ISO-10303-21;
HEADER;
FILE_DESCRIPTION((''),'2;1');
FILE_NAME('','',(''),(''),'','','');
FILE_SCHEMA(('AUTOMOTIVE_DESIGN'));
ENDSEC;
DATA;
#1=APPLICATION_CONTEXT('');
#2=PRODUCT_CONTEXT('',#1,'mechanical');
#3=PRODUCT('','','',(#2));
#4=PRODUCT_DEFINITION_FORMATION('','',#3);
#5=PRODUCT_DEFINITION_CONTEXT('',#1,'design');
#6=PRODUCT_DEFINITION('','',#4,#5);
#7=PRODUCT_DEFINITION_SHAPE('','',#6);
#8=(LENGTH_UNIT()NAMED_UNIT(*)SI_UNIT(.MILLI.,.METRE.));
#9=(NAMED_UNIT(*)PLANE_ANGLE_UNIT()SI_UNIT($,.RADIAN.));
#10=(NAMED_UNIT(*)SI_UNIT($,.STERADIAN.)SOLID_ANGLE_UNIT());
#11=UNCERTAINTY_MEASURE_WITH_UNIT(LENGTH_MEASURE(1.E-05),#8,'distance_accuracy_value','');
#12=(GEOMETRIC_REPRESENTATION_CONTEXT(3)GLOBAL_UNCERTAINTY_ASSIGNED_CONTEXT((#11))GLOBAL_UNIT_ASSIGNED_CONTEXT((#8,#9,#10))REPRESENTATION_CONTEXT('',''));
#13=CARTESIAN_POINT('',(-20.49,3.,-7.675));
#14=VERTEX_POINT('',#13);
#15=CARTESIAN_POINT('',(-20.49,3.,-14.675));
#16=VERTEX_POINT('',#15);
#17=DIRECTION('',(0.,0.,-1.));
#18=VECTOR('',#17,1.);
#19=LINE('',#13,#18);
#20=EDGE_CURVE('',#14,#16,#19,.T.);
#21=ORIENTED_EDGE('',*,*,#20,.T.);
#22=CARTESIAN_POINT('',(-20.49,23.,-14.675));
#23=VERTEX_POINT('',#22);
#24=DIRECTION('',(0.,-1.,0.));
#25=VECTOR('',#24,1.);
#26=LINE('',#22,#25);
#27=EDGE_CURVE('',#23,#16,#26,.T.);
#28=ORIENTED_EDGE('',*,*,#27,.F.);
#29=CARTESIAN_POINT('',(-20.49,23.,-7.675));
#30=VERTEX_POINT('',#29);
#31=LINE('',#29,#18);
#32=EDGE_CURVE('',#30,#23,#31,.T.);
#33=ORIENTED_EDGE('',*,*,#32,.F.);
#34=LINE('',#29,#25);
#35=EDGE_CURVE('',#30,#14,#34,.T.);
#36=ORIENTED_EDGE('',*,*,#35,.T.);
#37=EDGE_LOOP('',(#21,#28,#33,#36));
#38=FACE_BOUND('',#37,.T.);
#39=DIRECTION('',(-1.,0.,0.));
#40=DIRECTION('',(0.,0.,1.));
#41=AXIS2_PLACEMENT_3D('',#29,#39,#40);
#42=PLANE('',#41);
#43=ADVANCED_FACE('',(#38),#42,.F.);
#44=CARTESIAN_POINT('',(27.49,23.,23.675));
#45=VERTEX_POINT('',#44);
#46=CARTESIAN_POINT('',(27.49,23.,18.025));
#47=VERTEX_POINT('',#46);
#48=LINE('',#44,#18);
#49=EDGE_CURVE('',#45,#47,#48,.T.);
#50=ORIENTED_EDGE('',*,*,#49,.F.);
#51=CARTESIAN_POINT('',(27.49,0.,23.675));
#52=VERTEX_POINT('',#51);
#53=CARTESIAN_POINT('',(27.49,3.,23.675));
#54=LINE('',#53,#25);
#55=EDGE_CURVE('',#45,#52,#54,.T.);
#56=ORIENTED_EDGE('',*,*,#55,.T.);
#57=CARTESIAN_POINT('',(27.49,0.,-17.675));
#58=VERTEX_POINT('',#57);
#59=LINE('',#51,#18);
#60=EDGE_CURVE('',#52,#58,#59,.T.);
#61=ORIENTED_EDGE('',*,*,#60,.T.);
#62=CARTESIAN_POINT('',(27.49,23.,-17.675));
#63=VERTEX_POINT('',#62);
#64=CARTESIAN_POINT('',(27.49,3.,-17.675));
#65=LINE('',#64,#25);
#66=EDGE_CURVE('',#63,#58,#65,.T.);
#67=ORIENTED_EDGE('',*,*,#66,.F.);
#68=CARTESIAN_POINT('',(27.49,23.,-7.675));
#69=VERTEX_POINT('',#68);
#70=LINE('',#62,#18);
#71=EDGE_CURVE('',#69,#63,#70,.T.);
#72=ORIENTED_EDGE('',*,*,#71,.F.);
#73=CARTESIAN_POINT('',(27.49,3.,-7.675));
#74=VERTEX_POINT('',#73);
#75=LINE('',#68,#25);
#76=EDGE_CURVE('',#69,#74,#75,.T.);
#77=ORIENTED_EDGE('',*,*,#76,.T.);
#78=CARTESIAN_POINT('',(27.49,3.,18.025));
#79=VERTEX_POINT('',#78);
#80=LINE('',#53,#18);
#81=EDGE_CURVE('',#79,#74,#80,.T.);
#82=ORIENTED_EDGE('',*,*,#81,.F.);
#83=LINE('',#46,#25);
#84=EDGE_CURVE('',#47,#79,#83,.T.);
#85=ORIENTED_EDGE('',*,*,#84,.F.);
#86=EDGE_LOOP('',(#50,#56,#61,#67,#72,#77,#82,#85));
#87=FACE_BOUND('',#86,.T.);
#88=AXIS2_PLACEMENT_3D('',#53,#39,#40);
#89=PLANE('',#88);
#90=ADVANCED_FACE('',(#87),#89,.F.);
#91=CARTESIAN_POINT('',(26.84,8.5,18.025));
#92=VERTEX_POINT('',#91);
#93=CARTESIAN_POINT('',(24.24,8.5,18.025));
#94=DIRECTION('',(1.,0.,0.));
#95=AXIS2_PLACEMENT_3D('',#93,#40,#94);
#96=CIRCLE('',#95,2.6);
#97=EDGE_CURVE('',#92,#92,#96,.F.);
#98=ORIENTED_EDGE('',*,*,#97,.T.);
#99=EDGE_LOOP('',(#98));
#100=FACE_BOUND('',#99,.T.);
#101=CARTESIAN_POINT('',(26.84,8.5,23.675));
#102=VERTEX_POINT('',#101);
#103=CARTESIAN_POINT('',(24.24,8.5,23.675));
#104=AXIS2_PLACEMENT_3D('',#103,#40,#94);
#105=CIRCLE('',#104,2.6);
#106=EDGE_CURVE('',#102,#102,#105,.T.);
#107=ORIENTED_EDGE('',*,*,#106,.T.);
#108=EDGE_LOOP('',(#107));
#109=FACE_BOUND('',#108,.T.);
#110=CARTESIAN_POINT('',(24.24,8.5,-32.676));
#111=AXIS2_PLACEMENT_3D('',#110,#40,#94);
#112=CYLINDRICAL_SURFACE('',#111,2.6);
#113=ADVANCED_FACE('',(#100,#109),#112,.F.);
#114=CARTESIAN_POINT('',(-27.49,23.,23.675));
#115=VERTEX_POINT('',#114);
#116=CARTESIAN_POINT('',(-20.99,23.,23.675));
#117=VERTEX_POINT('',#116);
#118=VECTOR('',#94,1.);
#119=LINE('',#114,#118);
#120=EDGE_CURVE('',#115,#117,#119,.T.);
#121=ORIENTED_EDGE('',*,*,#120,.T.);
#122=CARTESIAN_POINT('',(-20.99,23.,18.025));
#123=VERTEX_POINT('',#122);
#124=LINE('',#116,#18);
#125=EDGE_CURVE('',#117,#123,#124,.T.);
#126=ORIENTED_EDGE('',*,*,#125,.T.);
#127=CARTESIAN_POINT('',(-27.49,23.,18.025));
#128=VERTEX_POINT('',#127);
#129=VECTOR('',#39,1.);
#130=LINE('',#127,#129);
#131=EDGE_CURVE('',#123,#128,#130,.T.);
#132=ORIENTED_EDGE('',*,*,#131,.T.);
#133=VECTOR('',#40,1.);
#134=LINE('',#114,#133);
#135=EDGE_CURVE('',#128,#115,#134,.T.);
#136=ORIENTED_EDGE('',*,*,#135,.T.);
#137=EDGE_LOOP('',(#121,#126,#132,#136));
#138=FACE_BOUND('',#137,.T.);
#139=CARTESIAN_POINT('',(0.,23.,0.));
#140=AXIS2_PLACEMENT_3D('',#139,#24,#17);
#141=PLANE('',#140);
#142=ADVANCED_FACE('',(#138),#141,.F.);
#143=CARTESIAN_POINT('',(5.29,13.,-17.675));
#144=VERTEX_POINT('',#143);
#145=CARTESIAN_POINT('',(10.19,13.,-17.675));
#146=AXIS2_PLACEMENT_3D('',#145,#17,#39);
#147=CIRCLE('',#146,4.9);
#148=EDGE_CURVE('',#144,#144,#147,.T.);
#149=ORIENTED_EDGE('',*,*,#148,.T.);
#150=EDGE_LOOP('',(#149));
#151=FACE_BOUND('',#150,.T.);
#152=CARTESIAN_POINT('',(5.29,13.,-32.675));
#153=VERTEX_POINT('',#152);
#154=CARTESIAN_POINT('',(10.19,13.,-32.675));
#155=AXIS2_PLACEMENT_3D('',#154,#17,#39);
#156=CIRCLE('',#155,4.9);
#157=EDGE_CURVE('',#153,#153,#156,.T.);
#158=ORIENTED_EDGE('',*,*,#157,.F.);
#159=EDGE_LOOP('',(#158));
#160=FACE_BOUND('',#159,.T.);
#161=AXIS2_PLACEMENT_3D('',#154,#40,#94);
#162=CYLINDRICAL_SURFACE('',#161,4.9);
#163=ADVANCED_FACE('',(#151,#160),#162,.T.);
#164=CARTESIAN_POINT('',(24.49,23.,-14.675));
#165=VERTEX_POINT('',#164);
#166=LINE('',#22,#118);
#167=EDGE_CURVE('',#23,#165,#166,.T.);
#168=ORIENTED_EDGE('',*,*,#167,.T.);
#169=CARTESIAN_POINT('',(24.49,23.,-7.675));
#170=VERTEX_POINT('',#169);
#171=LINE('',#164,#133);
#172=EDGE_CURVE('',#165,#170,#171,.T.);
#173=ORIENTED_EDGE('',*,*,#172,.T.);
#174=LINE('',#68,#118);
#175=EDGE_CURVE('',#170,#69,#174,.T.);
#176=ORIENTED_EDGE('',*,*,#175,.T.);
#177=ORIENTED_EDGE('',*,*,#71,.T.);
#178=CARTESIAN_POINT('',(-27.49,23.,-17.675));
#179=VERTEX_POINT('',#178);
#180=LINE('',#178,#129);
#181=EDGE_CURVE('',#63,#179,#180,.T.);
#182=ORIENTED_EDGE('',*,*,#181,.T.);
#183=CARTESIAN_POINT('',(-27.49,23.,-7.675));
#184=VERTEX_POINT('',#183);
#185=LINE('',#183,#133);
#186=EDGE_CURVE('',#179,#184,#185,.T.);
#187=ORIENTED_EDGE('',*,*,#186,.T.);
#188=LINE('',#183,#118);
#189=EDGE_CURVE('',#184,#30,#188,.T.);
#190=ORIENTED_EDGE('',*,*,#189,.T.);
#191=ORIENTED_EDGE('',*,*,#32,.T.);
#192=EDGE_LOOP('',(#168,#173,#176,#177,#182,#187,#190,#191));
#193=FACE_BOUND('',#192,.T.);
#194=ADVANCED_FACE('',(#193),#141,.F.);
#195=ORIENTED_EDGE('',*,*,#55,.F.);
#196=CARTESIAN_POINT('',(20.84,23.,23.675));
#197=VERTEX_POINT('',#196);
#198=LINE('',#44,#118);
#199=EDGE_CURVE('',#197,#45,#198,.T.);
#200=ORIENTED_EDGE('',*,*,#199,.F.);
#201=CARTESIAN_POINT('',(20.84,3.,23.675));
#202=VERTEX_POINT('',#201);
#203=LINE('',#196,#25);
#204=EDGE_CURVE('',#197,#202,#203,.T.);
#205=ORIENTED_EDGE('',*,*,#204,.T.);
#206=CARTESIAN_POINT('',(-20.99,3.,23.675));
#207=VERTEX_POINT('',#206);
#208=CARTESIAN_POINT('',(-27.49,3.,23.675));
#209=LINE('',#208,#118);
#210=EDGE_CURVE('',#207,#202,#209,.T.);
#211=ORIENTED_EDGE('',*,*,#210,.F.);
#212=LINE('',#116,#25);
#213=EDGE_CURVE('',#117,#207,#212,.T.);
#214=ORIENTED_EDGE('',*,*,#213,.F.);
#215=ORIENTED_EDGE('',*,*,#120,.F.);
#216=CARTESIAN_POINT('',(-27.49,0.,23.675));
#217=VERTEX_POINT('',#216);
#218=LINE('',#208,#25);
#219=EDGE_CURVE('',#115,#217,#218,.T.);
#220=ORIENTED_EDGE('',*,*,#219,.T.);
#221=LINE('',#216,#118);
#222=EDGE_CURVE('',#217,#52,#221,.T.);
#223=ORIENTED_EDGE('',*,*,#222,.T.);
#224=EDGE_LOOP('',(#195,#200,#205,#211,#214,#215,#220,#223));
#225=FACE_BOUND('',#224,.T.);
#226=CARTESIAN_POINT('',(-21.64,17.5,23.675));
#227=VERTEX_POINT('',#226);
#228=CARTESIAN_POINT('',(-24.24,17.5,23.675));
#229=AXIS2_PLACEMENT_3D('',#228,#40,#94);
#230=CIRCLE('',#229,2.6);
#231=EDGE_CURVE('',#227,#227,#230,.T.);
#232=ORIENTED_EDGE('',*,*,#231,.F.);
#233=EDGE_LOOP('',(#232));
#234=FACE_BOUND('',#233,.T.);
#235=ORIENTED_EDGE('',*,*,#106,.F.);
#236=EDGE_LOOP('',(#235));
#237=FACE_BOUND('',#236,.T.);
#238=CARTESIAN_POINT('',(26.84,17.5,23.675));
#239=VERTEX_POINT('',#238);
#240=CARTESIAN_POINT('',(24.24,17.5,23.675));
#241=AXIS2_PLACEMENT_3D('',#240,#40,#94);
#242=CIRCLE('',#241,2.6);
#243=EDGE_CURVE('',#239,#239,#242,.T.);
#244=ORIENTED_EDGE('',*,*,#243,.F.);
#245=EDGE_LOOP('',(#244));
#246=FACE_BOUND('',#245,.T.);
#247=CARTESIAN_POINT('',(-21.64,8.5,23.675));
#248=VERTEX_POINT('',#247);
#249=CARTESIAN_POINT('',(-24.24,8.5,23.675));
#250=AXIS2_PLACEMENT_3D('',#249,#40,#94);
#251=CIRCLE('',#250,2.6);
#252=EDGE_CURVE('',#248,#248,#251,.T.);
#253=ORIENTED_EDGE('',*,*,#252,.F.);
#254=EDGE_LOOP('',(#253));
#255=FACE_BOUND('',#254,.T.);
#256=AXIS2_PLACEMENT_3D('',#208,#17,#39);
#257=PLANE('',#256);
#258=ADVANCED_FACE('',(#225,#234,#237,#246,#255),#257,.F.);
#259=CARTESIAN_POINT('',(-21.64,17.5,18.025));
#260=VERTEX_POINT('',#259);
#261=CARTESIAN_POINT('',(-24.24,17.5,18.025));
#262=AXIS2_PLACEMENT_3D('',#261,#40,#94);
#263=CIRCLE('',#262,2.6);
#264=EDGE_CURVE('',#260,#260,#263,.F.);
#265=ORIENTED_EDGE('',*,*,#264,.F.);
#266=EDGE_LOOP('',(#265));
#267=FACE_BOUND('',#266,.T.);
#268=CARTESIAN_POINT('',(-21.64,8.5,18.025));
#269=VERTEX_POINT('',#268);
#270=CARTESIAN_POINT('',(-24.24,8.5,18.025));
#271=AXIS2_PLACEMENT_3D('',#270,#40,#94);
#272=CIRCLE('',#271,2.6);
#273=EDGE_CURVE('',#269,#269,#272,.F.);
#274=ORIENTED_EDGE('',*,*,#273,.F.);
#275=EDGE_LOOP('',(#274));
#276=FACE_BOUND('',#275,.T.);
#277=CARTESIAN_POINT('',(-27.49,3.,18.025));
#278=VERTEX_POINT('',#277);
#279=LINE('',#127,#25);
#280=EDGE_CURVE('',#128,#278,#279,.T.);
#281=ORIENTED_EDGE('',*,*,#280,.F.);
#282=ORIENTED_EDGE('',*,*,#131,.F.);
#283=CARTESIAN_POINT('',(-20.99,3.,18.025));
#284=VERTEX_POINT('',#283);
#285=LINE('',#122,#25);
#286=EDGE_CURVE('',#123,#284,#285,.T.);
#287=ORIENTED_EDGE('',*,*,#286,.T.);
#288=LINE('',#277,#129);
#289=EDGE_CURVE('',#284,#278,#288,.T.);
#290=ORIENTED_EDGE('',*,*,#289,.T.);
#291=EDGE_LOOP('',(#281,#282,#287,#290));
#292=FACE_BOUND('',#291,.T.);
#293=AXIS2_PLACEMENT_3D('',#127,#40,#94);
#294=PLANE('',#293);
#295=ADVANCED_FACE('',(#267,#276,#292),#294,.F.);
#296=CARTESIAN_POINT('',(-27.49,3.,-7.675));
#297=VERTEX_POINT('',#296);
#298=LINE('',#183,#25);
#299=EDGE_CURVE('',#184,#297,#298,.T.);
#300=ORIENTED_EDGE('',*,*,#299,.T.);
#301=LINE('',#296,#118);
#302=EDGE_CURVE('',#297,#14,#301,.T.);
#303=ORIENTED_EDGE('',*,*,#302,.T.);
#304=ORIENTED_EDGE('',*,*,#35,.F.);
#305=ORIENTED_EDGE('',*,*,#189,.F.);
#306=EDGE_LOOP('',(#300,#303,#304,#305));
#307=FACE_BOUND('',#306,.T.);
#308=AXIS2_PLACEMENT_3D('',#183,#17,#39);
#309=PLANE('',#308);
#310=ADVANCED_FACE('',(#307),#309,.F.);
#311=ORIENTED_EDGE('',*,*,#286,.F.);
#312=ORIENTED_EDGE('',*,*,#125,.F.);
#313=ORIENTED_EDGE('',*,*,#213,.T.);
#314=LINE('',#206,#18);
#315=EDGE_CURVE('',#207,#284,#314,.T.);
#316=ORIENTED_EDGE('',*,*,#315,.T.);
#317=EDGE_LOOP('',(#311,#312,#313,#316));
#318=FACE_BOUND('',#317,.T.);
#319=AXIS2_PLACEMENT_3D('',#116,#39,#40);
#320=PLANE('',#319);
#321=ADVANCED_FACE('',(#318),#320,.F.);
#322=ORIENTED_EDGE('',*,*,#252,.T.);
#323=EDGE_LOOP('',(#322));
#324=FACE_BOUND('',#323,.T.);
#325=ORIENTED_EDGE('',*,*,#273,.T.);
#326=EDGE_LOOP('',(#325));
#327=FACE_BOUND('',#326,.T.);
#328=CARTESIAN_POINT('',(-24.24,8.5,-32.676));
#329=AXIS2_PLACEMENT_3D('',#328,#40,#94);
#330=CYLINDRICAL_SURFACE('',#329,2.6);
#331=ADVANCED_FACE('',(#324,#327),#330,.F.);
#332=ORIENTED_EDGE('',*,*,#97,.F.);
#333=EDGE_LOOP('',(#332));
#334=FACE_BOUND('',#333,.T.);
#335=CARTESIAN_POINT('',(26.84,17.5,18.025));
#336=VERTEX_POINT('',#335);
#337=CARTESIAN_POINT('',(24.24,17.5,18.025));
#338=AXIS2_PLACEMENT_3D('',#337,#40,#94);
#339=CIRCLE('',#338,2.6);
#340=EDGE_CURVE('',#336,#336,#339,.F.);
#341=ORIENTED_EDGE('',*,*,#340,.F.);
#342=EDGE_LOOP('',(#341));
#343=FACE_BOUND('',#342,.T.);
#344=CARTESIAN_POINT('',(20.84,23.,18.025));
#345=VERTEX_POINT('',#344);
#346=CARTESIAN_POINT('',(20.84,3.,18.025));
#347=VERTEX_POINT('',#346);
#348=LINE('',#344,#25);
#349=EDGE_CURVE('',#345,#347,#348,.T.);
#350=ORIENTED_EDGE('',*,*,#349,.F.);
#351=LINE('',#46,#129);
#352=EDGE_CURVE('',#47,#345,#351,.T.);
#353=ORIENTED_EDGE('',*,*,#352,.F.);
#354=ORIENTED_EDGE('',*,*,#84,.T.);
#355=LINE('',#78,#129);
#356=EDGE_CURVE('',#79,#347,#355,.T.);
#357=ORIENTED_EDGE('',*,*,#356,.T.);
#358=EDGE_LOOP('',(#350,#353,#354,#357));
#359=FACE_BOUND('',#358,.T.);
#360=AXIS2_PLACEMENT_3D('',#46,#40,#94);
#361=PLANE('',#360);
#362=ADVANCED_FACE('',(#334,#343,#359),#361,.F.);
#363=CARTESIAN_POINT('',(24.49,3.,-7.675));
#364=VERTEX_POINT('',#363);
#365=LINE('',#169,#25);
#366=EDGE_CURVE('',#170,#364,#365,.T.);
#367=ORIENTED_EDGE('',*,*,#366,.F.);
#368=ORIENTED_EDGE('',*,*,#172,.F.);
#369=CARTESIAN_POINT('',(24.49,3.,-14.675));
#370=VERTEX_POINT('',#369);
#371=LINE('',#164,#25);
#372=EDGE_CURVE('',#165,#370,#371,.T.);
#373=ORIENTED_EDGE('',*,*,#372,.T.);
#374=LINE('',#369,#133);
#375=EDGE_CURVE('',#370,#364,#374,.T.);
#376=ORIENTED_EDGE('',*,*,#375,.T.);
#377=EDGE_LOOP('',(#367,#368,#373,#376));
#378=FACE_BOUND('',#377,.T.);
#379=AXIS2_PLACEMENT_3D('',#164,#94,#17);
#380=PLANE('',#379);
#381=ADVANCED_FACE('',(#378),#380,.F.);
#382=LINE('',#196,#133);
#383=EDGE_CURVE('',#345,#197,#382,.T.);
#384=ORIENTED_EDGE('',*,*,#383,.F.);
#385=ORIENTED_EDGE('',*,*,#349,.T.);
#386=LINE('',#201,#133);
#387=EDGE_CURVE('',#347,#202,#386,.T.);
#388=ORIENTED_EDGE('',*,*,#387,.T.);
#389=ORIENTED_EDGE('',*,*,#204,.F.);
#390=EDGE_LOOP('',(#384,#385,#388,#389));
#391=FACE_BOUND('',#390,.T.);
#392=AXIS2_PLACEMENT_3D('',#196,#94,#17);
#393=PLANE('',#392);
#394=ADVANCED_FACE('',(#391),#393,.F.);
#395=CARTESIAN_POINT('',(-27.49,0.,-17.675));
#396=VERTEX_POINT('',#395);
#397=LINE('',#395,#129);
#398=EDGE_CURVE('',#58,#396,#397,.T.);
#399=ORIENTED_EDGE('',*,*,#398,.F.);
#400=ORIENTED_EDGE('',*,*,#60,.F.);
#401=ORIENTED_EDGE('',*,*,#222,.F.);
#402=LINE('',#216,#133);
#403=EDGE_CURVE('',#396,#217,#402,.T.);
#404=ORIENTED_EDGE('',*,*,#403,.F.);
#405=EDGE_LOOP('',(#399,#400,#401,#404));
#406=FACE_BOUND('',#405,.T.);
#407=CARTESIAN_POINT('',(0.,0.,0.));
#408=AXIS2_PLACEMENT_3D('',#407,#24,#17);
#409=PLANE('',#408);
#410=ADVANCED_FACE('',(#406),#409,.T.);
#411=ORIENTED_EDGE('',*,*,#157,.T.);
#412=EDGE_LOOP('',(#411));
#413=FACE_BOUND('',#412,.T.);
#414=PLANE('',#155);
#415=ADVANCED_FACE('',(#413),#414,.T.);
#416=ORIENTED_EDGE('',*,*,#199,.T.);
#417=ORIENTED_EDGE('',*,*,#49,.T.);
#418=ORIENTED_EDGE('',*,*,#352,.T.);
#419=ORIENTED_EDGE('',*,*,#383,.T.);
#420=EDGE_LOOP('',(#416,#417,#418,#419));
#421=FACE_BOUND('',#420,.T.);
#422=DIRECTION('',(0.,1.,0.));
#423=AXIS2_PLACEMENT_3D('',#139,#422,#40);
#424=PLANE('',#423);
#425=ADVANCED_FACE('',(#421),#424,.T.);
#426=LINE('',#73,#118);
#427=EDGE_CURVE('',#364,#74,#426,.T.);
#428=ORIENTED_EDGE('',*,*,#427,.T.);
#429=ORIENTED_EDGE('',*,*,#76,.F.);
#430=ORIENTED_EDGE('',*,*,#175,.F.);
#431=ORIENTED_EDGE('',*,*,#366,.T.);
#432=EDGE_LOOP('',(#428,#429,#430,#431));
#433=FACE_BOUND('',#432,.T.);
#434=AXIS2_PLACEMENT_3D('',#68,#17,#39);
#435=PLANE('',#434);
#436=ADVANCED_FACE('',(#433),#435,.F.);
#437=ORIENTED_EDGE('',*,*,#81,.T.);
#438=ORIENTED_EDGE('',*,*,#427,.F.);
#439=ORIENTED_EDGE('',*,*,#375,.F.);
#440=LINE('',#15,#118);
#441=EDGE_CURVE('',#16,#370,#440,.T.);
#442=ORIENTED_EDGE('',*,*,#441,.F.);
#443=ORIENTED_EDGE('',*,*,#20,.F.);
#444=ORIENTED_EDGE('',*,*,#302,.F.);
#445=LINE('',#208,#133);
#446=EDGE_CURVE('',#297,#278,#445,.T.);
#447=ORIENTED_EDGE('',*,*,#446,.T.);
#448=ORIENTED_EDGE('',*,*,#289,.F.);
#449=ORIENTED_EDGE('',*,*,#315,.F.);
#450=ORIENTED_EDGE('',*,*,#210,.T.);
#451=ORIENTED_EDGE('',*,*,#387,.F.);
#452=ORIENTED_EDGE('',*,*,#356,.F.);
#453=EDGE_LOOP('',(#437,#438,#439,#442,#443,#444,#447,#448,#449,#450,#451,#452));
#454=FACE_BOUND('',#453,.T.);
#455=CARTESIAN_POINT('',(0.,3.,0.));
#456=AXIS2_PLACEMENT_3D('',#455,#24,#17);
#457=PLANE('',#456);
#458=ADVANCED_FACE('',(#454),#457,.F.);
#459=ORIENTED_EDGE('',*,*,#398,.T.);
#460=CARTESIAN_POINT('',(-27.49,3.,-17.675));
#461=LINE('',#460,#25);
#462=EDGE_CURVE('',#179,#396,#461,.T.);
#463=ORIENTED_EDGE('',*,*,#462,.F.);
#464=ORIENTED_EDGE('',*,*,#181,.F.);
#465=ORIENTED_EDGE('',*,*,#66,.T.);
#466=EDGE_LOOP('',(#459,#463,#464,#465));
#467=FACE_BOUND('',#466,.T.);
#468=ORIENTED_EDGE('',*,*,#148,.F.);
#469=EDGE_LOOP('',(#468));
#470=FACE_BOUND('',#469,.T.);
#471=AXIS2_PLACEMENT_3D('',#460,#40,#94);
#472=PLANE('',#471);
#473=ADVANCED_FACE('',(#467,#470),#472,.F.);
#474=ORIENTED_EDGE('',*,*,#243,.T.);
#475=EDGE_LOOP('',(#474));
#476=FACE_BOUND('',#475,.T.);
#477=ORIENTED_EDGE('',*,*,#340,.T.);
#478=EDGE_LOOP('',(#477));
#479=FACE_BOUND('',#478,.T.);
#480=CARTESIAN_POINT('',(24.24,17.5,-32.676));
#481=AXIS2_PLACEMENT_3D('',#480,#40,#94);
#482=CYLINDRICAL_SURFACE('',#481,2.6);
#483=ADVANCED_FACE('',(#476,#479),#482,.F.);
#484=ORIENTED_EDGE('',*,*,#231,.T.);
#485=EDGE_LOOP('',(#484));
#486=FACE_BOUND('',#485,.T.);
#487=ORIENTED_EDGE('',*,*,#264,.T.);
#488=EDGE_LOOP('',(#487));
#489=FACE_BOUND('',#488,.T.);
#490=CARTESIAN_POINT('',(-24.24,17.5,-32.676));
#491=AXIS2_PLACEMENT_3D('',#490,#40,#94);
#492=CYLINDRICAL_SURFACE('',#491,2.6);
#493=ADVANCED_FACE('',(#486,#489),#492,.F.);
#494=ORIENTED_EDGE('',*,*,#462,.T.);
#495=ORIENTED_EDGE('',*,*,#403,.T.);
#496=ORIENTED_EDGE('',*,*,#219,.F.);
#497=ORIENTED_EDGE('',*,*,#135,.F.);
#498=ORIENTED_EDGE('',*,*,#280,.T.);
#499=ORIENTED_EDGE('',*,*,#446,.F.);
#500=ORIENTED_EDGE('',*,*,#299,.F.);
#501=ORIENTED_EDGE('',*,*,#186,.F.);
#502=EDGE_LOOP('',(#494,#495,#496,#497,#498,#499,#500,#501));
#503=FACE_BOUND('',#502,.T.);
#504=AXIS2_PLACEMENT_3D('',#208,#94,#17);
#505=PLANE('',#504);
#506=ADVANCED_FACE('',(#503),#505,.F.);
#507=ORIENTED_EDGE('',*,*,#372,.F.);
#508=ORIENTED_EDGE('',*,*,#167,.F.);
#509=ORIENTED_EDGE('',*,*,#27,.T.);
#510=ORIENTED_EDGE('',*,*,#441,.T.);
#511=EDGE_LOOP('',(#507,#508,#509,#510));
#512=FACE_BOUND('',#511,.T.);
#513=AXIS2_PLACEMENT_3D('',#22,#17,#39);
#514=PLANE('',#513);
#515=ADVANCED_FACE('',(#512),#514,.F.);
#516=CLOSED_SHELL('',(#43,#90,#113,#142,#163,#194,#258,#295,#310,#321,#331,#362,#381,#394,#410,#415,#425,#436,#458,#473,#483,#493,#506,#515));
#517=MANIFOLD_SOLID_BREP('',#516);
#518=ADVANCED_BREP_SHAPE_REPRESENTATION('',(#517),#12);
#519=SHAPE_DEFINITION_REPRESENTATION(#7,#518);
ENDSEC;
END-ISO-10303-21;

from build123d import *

# Parameters (mm, degrees)
SKETCH1_W           = 54.98
SKETCH1_H           = 41.35
BOSS_EXTRUDE1_DEPTH = 3
SKETCH2_W           = 6.5
SKETCH2_H           = 5.65
SKETCH2_W_2         = 6.65
BOSS_EXTRUDE2_DEPTH = 20
SKETCH3_R           = 4.9
BOSS_EXTRUDE3_DEPTH = 15
CUT_EXTRUDE1_REACH  = 68.783
SKETCH4_R           = 2.6


with BuildPart() as part:
    # Sketch1 → Boss-Extrude1 (new body)
    with BuildSketch(Plane(origin=(0, 0, 0), x_dir=(1, 0, 0), z_dir=(0, 1, 0))):
        with Locations((0, -3)):
            Rectangle(SKETCH1_W, SKETCH1_H)
    extrude(amount=BOSS_EXTRUDE1_DEPTH)

    # Sketch2 → Boss-Extrude2 (add)
    with BuildSketch(Plane(origin=(0, 3, 0), x_dir=(1, 0, 0), z_dir=(0, 1, 0))):
        with Locations((-24.24, -20.85)):
            Rectangle(SKETCH2_W, SKETCH2_H)
        with Locations((24.165, -20.85)):
            Rectangle(SKETCH2_W_2, SKETCH2_H)
        Polygon((-27.49, 17.675), (27.49, 17.675), (27.49, 7.675), (24.49, 7.675), (24.49, 14.675), (-20.49, 14.675), (-20.49, 7.675), (-27.49, 7.675), align=None)
    extrude(amount=BOSS_EXTRUDE2_DEPTH)

    # Sketch3 → Boss-Extrude3 (add)
    with BuildSketch(Plane(origin=(0, 0, -17.675), x_dir=(-1, 0, 0), z_dir=(0, 0, -1))):
        with Locations((-10.19, 13)):
            Circle(SKETCH3_R)
    extrude(amount=BOSS_EXTRUDE3_DEPTH)

    # Sketch4 → Cut-Extrude1 (cut, up to next)
    with BuildSketch(Plane.XY.offset(23.675), mode=Mode.PRIVATE) as cut_extrude1_sk1:
        with Locations((-24.24, 17.5)):
            Circle(SKETCH4_R)
    cut_extrude1_tool1 = extrude(cut_extrude1_sk1.sketch, amount=-CUT_EXTRUDE1_REACH, mode=Mode.PRIVATE) & part.part
    # Sketch4 → Cut-Extrude1 (cut, up to next)
    with BuildSketch(Plane.XY.offset(23.675), mode=Mode.PRIVATE) as cut_extrude1_sk2:
        with Locations((-24.24, 8.5)):
            Circle(SKETCH4_R)
    cut_extrude1_tool2 = extrude(cut_extrude1_sk2.sketch, amount=-CUT_EXTRUDE1_REACH, mode=Mode.PRIVATE) & part.part
    # Sketch4 → Cut-Extrude1 (cut, up to next)
    with BuildSketch(Plane.XY.offset(23.675), mode=Mode.PRIVATE) as cut_extrude1_sk3:
        with Locations((24.24, 17.5)):
            Circle(SKETCH4_R)
    cut_extrude1_tool3 = extrude(cut_extrude1_sk3.sketch, amount=-CUT_EXTRUDE1_REACH, mode=Mode.PRIVATE) & part.part
    # Sketch4 → Cut-Extrude1 (cut, up to next)
    with BuildSketch(Plane.XY.offset(23.675), mode=Mode.PRIVATE) as cut_extrude1_sk4:
        with Locations((24.24, 8.5)):
            Circle(SKETCH4_R)
    cut_extrude1_tool4 = extrude(cut_extrude1_sk4.sketch, amount=-CUT_EXTRUDE1_REACH, mode=Mode.PRIVATE) & part.part
    add(cut_extrude1_tool1.solids().sort_by_distance((-24.24, 17.5, 23.675))[0], mode=Mode.SUBTRACT)
    add(cut_extrude1_tool2.solids().sort_by_distance((-24.24, 8.5, 23.675))[0], mode=Mode.SUBTRACT)
    add(cut_extrude1_tool3.solids().sort_by_distance((24.24, 17.5, 23.675))[0], mode=Mode.SUBTRACT)
    add(cut_extrude1_tool4.solids().sort_by_distance((24.24, 8.5, 23.675))[0], mode=Mode.SUBTRACT)


solid = part.part
